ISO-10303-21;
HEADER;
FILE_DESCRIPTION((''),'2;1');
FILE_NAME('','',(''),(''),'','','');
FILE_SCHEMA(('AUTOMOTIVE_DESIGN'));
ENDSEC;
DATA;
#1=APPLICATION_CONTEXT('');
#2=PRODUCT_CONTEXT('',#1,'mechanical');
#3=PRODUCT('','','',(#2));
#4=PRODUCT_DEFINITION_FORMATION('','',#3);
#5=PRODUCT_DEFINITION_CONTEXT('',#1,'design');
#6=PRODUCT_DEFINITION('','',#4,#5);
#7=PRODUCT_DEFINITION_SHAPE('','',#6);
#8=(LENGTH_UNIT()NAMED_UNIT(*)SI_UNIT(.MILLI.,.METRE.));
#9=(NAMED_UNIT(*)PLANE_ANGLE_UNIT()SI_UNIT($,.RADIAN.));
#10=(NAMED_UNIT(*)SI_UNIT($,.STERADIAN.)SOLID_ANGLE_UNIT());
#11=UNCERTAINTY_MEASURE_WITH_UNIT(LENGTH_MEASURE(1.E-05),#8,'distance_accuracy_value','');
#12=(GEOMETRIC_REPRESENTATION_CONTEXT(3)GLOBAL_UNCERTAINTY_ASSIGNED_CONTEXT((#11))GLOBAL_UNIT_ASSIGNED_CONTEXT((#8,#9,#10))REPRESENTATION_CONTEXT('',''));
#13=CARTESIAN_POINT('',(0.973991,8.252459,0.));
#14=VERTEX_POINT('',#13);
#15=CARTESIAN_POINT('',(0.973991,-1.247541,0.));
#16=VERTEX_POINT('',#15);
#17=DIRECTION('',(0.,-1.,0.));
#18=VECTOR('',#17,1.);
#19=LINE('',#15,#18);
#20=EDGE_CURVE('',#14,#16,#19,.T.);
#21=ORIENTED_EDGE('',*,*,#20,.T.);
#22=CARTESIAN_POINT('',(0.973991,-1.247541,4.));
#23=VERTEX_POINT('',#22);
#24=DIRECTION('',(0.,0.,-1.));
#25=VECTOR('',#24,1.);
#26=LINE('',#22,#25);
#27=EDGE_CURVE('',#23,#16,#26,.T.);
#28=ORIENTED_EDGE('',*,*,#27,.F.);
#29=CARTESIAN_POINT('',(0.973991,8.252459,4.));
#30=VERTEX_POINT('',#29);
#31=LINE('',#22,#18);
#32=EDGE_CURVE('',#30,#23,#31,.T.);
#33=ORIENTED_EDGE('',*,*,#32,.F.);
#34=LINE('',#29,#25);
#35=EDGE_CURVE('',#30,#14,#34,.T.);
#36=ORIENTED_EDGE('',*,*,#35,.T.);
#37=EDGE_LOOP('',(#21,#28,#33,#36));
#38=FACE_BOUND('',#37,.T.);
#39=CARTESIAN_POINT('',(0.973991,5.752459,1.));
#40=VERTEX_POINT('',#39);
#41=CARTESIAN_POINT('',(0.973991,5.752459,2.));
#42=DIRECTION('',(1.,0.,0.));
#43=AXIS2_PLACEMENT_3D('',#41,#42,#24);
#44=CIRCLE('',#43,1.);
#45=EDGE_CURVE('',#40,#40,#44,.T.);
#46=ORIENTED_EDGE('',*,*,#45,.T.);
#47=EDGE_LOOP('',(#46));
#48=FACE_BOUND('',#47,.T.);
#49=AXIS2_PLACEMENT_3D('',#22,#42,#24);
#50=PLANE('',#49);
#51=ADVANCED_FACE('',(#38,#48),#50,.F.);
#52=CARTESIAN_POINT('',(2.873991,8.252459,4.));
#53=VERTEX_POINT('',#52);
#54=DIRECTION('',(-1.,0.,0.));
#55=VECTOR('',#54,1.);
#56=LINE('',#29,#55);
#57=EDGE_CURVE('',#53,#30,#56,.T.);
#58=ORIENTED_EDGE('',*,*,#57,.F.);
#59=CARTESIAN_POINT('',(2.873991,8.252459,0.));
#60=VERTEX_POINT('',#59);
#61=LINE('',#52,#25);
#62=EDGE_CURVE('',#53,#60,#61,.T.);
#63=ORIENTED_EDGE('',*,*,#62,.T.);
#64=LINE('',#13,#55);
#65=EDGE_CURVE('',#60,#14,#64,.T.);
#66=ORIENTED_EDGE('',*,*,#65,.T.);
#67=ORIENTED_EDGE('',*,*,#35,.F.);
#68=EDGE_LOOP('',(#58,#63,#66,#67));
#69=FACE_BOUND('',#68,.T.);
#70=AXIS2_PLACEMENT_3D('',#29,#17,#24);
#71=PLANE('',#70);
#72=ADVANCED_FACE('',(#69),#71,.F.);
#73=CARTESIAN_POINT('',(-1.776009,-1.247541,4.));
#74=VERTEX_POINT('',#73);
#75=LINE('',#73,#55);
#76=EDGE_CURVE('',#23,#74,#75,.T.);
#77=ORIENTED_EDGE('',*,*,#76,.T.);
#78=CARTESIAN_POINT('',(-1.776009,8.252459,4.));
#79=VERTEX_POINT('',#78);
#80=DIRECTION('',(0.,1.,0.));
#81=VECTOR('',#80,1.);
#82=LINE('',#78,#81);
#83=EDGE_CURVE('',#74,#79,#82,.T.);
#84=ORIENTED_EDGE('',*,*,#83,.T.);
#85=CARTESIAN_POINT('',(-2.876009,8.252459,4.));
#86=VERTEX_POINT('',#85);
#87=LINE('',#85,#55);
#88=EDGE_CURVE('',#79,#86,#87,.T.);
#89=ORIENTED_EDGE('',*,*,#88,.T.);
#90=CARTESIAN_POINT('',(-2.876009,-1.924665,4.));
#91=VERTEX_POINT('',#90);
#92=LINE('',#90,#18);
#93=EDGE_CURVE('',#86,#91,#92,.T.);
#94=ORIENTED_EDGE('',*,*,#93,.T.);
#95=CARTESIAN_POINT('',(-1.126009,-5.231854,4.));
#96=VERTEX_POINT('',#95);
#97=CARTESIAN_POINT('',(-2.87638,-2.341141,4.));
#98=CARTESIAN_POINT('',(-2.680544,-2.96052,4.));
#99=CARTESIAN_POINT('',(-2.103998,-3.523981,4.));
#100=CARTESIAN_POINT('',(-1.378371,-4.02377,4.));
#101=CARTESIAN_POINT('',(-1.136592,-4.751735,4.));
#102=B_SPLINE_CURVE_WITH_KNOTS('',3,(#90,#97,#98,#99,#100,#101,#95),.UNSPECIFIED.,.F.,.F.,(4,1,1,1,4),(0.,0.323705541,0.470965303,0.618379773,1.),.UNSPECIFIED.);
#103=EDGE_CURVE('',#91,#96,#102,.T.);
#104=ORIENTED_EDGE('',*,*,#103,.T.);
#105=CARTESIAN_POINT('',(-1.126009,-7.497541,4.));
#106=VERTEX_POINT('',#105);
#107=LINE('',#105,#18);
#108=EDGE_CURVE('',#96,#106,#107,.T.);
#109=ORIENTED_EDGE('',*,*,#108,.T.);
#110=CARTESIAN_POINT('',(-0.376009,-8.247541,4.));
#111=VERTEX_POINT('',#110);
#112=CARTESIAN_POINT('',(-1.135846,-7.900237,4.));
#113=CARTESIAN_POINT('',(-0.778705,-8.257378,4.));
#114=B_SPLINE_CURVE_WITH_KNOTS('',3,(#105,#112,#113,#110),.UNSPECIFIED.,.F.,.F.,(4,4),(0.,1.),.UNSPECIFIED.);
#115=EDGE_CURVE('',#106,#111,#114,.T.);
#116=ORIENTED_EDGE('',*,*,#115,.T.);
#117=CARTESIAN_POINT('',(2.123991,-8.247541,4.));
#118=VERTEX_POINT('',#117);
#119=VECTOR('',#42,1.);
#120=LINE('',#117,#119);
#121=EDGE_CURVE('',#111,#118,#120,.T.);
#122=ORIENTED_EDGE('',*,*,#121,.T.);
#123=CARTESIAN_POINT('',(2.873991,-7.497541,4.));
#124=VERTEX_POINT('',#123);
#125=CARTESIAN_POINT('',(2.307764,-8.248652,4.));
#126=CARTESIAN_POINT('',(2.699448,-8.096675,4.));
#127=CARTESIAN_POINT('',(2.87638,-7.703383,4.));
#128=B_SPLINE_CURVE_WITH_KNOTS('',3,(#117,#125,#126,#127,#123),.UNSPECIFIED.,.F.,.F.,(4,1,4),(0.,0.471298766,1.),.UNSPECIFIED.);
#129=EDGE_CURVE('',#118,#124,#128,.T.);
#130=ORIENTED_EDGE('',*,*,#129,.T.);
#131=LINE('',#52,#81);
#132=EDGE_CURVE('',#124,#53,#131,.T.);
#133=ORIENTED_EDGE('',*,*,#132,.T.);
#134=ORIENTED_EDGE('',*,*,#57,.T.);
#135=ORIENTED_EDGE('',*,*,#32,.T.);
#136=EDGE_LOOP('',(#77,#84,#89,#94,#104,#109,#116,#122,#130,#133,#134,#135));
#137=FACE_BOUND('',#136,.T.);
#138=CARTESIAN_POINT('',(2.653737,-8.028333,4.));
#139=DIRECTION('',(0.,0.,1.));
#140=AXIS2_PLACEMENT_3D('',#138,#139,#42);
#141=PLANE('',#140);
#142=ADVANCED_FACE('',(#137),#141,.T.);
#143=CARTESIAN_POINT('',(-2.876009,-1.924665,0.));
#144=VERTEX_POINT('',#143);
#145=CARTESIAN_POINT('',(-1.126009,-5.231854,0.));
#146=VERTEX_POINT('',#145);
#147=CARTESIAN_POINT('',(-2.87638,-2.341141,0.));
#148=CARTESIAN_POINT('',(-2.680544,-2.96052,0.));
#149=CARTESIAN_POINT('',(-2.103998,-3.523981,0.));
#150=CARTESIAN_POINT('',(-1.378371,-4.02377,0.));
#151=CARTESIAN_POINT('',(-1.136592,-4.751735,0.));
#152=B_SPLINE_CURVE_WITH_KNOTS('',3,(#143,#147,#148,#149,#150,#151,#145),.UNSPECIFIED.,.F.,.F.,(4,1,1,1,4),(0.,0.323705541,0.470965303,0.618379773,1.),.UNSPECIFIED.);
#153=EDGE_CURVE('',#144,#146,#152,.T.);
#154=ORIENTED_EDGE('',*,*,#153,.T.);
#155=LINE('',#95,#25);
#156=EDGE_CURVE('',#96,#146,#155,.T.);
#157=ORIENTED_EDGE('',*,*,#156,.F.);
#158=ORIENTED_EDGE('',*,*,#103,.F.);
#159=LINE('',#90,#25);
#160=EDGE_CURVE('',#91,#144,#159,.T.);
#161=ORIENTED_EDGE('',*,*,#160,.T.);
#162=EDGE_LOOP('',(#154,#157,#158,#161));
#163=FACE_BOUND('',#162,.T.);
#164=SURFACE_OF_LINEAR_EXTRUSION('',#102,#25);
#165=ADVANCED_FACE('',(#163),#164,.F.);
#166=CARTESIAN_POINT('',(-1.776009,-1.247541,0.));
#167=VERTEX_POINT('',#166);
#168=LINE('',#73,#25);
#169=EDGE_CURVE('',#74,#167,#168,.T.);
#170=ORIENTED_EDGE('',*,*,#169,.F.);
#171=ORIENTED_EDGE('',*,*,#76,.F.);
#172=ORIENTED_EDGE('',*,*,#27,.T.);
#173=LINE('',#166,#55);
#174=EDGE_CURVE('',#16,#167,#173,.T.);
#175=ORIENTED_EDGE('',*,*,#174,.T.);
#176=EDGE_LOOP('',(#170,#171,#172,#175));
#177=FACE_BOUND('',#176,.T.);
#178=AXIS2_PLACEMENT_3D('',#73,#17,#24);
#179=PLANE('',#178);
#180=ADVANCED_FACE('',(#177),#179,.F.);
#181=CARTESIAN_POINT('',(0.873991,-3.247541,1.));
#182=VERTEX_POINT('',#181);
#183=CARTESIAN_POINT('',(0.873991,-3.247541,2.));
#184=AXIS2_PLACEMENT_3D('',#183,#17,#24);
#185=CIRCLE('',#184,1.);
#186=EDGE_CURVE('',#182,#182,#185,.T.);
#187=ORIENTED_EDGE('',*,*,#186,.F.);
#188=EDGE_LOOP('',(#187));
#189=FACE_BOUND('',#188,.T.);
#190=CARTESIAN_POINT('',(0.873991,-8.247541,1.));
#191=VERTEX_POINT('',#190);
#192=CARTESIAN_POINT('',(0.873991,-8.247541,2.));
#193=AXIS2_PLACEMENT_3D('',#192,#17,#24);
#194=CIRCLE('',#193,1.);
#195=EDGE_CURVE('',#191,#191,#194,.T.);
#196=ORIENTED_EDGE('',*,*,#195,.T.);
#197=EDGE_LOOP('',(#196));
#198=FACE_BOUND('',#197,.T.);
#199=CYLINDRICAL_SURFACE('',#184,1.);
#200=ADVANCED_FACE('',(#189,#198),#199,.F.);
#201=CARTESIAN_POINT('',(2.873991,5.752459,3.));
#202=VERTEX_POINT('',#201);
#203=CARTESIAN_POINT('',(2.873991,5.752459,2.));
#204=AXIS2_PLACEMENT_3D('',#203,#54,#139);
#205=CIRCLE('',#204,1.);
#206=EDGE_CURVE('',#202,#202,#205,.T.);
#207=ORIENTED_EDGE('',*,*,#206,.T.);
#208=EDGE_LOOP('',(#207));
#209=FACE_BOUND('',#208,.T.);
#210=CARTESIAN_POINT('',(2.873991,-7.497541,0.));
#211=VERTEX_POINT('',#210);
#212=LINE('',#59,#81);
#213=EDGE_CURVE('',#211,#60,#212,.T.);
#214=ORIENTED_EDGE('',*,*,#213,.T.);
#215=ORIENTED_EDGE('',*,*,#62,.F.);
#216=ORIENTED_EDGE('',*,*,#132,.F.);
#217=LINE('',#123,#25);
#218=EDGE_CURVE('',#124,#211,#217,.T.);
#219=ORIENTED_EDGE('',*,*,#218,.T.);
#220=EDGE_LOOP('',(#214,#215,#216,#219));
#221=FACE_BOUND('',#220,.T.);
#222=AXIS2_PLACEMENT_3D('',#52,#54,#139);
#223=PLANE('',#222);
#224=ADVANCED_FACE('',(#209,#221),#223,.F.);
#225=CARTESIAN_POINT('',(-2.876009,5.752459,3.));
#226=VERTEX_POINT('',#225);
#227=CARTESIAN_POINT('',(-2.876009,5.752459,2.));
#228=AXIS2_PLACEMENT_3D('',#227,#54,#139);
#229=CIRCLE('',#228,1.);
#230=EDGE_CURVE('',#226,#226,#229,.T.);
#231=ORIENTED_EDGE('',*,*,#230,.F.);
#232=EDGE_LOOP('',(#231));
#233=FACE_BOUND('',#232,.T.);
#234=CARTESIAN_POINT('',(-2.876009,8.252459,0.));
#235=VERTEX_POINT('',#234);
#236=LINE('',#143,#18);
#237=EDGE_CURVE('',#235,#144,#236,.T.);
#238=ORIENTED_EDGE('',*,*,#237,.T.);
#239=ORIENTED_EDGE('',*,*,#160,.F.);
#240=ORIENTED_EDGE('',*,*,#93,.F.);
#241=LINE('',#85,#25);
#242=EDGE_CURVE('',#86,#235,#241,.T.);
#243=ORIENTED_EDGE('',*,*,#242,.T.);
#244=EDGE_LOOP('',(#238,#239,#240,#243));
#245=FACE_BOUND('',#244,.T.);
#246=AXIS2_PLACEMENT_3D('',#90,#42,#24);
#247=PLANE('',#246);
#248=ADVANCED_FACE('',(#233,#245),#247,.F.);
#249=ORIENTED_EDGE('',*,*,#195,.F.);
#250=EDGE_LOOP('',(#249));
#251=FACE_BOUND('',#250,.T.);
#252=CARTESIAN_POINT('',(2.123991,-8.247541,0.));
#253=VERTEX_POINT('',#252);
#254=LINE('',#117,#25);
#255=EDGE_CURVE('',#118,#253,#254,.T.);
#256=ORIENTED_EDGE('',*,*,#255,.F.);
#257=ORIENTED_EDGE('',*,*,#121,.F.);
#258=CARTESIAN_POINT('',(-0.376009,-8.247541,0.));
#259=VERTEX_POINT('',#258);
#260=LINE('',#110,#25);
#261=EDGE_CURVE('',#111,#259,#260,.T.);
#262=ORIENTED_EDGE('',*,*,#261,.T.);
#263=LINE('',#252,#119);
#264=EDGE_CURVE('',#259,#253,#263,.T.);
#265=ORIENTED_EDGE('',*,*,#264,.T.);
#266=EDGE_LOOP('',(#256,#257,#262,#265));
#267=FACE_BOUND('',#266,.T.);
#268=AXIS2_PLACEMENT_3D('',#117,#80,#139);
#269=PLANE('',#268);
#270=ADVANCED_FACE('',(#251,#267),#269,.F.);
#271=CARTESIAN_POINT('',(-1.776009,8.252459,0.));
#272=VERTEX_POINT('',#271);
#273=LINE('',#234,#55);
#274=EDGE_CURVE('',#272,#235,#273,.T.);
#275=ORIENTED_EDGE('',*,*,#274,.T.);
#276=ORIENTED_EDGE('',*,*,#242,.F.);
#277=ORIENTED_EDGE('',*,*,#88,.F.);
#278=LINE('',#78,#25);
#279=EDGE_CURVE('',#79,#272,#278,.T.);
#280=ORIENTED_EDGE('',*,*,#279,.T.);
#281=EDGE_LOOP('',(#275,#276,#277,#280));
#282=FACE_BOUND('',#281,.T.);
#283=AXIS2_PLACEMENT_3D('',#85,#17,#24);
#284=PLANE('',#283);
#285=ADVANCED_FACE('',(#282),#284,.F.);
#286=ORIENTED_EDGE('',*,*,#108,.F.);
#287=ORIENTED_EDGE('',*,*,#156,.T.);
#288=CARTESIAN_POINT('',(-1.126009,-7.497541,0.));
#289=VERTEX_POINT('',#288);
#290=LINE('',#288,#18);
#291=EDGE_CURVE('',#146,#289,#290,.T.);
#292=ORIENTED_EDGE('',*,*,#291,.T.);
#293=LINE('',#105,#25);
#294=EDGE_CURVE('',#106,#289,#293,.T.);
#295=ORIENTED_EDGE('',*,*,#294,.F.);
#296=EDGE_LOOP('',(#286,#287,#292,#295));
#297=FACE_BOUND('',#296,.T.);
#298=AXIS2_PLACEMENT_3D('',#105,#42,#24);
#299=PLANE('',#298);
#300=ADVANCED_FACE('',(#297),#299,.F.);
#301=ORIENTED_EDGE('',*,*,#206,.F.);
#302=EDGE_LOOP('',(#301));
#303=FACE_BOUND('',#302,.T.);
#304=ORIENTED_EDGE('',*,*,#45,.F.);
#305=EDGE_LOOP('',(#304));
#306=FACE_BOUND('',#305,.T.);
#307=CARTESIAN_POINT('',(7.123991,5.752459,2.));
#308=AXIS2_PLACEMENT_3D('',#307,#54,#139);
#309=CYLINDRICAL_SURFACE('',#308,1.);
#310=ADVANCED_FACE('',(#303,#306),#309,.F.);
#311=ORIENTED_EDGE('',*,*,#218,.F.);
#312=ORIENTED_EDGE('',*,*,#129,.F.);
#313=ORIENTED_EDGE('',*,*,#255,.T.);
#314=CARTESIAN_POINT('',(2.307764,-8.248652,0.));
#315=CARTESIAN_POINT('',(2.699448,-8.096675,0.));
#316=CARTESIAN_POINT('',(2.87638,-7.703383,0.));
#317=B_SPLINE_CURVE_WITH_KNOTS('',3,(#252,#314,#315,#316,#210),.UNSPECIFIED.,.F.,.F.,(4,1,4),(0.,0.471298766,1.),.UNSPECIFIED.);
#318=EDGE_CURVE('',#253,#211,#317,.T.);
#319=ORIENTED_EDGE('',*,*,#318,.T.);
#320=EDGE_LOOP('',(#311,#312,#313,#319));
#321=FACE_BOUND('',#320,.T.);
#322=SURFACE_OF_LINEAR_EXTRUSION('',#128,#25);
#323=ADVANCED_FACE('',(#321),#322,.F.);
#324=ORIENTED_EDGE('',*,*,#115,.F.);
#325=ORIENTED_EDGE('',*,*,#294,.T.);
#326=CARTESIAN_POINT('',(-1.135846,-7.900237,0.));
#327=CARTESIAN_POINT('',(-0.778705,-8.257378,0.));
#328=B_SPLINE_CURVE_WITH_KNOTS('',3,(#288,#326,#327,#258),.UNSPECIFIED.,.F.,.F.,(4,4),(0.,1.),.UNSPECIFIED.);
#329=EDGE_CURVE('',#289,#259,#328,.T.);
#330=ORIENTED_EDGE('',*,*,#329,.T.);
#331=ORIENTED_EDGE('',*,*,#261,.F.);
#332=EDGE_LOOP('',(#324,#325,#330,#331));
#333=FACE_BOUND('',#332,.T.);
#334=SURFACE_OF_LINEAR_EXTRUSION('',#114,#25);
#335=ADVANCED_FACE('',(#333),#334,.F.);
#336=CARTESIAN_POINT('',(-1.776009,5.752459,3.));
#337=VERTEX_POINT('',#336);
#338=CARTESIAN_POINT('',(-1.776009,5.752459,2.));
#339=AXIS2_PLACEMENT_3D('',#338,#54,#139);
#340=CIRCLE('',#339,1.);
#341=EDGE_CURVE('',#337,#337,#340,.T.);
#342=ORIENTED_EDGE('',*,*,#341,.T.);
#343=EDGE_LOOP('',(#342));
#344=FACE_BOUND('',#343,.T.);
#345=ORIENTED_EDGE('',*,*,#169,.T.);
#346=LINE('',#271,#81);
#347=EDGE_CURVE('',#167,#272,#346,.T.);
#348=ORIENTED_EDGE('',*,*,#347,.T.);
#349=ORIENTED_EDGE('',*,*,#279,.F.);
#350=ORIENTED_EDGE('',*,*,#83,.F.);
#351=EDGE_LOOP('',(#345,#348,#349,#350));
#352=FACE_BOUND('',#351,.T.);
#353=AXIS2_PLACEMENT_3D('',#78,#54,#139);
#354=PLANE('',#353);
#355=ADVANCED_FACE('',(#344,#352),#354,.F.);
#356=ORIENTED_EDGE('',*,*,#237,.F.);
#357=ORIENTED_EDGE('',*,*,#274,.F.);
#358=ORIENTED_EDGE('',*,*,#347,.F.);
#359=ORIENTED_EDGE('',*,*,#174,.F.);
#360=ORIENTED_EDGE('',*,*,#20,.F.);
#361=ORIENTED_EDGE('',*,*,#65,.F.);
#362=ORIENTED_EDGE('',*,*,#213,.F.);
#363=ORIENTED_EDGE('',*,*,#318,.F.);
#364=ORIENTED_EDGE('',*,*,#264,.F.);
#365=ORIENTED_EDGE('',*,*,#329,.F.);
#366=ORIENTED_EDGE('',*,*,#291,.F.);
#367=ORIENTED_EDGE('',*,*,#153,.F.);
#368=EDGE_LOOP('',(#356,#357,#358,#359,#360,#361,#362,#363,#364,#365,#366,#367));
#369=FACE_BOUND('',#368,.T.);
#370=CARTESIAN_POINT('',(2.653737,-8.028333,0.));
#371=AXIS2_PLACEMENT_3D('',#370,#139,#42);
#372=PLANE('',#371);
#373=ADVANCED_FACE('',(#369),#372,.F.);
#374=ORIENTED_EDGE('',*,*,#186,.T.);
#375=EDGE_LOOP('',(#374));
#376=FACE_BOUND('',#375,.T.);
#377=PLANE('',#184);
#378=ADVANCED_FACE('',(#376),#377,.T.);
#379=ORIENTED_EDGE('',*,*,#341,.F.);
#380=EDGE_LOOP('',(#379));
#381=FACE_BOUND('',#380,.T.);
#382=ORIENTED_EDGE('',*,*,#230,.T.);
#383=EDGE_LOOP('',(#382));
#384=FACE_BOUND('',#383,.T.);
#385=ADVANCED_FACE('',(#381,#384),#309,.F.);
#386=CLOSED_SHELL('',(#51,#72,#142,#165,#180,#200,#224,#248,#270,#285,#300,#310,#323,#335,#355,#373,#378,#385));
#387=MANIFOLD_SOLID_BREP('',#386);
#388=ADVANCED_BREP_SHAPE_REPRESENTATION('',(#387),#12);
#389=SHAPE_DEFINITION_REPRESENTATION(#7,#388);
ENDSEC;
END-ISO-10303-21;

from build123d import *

# Parameters (mm, degrees)
EXTRUDE_1_DEPTH     = 4
SKETCH_2_R          = 1
CUT_EXTRUDE_1_DEPTH = 10
SKETCH_3_R          = 1
CUT_EXTRUDE_2_DEPTH = 5


with BuildPart() as part:
    # 草图1 → 凸台-拉伸1 (new body)
    with BuildSketch(Plane.XY):
        with BuildLine():
            Line((2.873991467, 8.252459404), (2.873991467, -7.497540596))
            add(Edge.make_bspline(
                [(2.873991467, -7.497540596), (2.876380091, -7.703382966), (2.699447856, -8.096674523), (2.307764461, -8.248651724), (2.123991437, -8.247540596)],
                knots=[0, 0, 0, 0, 0.528701234, 1, 1, 1, 1], degree=3))
            Line((2.123991437, -8.247540596), (-0.376008504, -8.247540596))
            add(Edge.make_bspline(
                [(-0.376008504, -8.247540596), (-0.778705468, -8.257378213), (-1.13584565, -7.900237207), (-1.126008504, -7.497540596)],
                knots=[0, 0, 0, 0, 1, 1, 1, 1], degree=3))
            Line((-1.126008504, -7.497540596), (-1.126008504, -5.231853607))
            add(Edge.make_bspline(
                [(-1.126008504, -5.231853607), (-1.13659163, -4.751735199), (-1.378371208, -4.02376985), (-2.103997508, -3.523981437), (-2.680544309, -2.960520138), (-2.876380091, -2.341140701), (-2.876008504, -1.924665096)],
                knots=[0, 0, 0, 0, 0.381620227, 0.529034697, 0.676294459, 1, 1, 1, 1], degree=3))
            Line((-2.876008504, -1.924665096), (-2.876008504, 8.252459404))
            Line((-2.876008504, 8.252459404), (-1.776008599, 8.252459404))
            Line((-1.776008599, 8.252459404), (-1.776008599, -1.247540596))
            Line((-1.776008599, -1.247540596), (0.973991401, -1.247540596))
            Line((0.973991401, -1.247540596), (0.973991401, 8.252459404))
            Line((0.973991401, 8.252459404), (2.873991467, 8.252459404))
        make_face()
    extrude(amount=EXTRUDE_1_DEPTH)

    # 草图2 → 切除-拉伸1 (cut)
    with BuildSketch(Plane.ZY.offset(2.876008504)):
        with Locations((2, 5.752459404)):
            Circle(SKETCH_2_R)
    extrude(amount=-CUT_EXTRUDE_1_DEPTH, mode=Mode.SUBTRACT)

    # 草图3 → 切除-拉伸2 (cut)
    with BuildSketch(Plane.XZ.offset(8.247540596)):
        with Locations(Location((0.873991437, 2, 0), (0, 0, 270))):
            Circle(SKETCH_3_R)
    extrude(amount=-CUT_EXTRUDE_2_DEPTH, mode=Mode.SUBTRACT)


solid = part.part
